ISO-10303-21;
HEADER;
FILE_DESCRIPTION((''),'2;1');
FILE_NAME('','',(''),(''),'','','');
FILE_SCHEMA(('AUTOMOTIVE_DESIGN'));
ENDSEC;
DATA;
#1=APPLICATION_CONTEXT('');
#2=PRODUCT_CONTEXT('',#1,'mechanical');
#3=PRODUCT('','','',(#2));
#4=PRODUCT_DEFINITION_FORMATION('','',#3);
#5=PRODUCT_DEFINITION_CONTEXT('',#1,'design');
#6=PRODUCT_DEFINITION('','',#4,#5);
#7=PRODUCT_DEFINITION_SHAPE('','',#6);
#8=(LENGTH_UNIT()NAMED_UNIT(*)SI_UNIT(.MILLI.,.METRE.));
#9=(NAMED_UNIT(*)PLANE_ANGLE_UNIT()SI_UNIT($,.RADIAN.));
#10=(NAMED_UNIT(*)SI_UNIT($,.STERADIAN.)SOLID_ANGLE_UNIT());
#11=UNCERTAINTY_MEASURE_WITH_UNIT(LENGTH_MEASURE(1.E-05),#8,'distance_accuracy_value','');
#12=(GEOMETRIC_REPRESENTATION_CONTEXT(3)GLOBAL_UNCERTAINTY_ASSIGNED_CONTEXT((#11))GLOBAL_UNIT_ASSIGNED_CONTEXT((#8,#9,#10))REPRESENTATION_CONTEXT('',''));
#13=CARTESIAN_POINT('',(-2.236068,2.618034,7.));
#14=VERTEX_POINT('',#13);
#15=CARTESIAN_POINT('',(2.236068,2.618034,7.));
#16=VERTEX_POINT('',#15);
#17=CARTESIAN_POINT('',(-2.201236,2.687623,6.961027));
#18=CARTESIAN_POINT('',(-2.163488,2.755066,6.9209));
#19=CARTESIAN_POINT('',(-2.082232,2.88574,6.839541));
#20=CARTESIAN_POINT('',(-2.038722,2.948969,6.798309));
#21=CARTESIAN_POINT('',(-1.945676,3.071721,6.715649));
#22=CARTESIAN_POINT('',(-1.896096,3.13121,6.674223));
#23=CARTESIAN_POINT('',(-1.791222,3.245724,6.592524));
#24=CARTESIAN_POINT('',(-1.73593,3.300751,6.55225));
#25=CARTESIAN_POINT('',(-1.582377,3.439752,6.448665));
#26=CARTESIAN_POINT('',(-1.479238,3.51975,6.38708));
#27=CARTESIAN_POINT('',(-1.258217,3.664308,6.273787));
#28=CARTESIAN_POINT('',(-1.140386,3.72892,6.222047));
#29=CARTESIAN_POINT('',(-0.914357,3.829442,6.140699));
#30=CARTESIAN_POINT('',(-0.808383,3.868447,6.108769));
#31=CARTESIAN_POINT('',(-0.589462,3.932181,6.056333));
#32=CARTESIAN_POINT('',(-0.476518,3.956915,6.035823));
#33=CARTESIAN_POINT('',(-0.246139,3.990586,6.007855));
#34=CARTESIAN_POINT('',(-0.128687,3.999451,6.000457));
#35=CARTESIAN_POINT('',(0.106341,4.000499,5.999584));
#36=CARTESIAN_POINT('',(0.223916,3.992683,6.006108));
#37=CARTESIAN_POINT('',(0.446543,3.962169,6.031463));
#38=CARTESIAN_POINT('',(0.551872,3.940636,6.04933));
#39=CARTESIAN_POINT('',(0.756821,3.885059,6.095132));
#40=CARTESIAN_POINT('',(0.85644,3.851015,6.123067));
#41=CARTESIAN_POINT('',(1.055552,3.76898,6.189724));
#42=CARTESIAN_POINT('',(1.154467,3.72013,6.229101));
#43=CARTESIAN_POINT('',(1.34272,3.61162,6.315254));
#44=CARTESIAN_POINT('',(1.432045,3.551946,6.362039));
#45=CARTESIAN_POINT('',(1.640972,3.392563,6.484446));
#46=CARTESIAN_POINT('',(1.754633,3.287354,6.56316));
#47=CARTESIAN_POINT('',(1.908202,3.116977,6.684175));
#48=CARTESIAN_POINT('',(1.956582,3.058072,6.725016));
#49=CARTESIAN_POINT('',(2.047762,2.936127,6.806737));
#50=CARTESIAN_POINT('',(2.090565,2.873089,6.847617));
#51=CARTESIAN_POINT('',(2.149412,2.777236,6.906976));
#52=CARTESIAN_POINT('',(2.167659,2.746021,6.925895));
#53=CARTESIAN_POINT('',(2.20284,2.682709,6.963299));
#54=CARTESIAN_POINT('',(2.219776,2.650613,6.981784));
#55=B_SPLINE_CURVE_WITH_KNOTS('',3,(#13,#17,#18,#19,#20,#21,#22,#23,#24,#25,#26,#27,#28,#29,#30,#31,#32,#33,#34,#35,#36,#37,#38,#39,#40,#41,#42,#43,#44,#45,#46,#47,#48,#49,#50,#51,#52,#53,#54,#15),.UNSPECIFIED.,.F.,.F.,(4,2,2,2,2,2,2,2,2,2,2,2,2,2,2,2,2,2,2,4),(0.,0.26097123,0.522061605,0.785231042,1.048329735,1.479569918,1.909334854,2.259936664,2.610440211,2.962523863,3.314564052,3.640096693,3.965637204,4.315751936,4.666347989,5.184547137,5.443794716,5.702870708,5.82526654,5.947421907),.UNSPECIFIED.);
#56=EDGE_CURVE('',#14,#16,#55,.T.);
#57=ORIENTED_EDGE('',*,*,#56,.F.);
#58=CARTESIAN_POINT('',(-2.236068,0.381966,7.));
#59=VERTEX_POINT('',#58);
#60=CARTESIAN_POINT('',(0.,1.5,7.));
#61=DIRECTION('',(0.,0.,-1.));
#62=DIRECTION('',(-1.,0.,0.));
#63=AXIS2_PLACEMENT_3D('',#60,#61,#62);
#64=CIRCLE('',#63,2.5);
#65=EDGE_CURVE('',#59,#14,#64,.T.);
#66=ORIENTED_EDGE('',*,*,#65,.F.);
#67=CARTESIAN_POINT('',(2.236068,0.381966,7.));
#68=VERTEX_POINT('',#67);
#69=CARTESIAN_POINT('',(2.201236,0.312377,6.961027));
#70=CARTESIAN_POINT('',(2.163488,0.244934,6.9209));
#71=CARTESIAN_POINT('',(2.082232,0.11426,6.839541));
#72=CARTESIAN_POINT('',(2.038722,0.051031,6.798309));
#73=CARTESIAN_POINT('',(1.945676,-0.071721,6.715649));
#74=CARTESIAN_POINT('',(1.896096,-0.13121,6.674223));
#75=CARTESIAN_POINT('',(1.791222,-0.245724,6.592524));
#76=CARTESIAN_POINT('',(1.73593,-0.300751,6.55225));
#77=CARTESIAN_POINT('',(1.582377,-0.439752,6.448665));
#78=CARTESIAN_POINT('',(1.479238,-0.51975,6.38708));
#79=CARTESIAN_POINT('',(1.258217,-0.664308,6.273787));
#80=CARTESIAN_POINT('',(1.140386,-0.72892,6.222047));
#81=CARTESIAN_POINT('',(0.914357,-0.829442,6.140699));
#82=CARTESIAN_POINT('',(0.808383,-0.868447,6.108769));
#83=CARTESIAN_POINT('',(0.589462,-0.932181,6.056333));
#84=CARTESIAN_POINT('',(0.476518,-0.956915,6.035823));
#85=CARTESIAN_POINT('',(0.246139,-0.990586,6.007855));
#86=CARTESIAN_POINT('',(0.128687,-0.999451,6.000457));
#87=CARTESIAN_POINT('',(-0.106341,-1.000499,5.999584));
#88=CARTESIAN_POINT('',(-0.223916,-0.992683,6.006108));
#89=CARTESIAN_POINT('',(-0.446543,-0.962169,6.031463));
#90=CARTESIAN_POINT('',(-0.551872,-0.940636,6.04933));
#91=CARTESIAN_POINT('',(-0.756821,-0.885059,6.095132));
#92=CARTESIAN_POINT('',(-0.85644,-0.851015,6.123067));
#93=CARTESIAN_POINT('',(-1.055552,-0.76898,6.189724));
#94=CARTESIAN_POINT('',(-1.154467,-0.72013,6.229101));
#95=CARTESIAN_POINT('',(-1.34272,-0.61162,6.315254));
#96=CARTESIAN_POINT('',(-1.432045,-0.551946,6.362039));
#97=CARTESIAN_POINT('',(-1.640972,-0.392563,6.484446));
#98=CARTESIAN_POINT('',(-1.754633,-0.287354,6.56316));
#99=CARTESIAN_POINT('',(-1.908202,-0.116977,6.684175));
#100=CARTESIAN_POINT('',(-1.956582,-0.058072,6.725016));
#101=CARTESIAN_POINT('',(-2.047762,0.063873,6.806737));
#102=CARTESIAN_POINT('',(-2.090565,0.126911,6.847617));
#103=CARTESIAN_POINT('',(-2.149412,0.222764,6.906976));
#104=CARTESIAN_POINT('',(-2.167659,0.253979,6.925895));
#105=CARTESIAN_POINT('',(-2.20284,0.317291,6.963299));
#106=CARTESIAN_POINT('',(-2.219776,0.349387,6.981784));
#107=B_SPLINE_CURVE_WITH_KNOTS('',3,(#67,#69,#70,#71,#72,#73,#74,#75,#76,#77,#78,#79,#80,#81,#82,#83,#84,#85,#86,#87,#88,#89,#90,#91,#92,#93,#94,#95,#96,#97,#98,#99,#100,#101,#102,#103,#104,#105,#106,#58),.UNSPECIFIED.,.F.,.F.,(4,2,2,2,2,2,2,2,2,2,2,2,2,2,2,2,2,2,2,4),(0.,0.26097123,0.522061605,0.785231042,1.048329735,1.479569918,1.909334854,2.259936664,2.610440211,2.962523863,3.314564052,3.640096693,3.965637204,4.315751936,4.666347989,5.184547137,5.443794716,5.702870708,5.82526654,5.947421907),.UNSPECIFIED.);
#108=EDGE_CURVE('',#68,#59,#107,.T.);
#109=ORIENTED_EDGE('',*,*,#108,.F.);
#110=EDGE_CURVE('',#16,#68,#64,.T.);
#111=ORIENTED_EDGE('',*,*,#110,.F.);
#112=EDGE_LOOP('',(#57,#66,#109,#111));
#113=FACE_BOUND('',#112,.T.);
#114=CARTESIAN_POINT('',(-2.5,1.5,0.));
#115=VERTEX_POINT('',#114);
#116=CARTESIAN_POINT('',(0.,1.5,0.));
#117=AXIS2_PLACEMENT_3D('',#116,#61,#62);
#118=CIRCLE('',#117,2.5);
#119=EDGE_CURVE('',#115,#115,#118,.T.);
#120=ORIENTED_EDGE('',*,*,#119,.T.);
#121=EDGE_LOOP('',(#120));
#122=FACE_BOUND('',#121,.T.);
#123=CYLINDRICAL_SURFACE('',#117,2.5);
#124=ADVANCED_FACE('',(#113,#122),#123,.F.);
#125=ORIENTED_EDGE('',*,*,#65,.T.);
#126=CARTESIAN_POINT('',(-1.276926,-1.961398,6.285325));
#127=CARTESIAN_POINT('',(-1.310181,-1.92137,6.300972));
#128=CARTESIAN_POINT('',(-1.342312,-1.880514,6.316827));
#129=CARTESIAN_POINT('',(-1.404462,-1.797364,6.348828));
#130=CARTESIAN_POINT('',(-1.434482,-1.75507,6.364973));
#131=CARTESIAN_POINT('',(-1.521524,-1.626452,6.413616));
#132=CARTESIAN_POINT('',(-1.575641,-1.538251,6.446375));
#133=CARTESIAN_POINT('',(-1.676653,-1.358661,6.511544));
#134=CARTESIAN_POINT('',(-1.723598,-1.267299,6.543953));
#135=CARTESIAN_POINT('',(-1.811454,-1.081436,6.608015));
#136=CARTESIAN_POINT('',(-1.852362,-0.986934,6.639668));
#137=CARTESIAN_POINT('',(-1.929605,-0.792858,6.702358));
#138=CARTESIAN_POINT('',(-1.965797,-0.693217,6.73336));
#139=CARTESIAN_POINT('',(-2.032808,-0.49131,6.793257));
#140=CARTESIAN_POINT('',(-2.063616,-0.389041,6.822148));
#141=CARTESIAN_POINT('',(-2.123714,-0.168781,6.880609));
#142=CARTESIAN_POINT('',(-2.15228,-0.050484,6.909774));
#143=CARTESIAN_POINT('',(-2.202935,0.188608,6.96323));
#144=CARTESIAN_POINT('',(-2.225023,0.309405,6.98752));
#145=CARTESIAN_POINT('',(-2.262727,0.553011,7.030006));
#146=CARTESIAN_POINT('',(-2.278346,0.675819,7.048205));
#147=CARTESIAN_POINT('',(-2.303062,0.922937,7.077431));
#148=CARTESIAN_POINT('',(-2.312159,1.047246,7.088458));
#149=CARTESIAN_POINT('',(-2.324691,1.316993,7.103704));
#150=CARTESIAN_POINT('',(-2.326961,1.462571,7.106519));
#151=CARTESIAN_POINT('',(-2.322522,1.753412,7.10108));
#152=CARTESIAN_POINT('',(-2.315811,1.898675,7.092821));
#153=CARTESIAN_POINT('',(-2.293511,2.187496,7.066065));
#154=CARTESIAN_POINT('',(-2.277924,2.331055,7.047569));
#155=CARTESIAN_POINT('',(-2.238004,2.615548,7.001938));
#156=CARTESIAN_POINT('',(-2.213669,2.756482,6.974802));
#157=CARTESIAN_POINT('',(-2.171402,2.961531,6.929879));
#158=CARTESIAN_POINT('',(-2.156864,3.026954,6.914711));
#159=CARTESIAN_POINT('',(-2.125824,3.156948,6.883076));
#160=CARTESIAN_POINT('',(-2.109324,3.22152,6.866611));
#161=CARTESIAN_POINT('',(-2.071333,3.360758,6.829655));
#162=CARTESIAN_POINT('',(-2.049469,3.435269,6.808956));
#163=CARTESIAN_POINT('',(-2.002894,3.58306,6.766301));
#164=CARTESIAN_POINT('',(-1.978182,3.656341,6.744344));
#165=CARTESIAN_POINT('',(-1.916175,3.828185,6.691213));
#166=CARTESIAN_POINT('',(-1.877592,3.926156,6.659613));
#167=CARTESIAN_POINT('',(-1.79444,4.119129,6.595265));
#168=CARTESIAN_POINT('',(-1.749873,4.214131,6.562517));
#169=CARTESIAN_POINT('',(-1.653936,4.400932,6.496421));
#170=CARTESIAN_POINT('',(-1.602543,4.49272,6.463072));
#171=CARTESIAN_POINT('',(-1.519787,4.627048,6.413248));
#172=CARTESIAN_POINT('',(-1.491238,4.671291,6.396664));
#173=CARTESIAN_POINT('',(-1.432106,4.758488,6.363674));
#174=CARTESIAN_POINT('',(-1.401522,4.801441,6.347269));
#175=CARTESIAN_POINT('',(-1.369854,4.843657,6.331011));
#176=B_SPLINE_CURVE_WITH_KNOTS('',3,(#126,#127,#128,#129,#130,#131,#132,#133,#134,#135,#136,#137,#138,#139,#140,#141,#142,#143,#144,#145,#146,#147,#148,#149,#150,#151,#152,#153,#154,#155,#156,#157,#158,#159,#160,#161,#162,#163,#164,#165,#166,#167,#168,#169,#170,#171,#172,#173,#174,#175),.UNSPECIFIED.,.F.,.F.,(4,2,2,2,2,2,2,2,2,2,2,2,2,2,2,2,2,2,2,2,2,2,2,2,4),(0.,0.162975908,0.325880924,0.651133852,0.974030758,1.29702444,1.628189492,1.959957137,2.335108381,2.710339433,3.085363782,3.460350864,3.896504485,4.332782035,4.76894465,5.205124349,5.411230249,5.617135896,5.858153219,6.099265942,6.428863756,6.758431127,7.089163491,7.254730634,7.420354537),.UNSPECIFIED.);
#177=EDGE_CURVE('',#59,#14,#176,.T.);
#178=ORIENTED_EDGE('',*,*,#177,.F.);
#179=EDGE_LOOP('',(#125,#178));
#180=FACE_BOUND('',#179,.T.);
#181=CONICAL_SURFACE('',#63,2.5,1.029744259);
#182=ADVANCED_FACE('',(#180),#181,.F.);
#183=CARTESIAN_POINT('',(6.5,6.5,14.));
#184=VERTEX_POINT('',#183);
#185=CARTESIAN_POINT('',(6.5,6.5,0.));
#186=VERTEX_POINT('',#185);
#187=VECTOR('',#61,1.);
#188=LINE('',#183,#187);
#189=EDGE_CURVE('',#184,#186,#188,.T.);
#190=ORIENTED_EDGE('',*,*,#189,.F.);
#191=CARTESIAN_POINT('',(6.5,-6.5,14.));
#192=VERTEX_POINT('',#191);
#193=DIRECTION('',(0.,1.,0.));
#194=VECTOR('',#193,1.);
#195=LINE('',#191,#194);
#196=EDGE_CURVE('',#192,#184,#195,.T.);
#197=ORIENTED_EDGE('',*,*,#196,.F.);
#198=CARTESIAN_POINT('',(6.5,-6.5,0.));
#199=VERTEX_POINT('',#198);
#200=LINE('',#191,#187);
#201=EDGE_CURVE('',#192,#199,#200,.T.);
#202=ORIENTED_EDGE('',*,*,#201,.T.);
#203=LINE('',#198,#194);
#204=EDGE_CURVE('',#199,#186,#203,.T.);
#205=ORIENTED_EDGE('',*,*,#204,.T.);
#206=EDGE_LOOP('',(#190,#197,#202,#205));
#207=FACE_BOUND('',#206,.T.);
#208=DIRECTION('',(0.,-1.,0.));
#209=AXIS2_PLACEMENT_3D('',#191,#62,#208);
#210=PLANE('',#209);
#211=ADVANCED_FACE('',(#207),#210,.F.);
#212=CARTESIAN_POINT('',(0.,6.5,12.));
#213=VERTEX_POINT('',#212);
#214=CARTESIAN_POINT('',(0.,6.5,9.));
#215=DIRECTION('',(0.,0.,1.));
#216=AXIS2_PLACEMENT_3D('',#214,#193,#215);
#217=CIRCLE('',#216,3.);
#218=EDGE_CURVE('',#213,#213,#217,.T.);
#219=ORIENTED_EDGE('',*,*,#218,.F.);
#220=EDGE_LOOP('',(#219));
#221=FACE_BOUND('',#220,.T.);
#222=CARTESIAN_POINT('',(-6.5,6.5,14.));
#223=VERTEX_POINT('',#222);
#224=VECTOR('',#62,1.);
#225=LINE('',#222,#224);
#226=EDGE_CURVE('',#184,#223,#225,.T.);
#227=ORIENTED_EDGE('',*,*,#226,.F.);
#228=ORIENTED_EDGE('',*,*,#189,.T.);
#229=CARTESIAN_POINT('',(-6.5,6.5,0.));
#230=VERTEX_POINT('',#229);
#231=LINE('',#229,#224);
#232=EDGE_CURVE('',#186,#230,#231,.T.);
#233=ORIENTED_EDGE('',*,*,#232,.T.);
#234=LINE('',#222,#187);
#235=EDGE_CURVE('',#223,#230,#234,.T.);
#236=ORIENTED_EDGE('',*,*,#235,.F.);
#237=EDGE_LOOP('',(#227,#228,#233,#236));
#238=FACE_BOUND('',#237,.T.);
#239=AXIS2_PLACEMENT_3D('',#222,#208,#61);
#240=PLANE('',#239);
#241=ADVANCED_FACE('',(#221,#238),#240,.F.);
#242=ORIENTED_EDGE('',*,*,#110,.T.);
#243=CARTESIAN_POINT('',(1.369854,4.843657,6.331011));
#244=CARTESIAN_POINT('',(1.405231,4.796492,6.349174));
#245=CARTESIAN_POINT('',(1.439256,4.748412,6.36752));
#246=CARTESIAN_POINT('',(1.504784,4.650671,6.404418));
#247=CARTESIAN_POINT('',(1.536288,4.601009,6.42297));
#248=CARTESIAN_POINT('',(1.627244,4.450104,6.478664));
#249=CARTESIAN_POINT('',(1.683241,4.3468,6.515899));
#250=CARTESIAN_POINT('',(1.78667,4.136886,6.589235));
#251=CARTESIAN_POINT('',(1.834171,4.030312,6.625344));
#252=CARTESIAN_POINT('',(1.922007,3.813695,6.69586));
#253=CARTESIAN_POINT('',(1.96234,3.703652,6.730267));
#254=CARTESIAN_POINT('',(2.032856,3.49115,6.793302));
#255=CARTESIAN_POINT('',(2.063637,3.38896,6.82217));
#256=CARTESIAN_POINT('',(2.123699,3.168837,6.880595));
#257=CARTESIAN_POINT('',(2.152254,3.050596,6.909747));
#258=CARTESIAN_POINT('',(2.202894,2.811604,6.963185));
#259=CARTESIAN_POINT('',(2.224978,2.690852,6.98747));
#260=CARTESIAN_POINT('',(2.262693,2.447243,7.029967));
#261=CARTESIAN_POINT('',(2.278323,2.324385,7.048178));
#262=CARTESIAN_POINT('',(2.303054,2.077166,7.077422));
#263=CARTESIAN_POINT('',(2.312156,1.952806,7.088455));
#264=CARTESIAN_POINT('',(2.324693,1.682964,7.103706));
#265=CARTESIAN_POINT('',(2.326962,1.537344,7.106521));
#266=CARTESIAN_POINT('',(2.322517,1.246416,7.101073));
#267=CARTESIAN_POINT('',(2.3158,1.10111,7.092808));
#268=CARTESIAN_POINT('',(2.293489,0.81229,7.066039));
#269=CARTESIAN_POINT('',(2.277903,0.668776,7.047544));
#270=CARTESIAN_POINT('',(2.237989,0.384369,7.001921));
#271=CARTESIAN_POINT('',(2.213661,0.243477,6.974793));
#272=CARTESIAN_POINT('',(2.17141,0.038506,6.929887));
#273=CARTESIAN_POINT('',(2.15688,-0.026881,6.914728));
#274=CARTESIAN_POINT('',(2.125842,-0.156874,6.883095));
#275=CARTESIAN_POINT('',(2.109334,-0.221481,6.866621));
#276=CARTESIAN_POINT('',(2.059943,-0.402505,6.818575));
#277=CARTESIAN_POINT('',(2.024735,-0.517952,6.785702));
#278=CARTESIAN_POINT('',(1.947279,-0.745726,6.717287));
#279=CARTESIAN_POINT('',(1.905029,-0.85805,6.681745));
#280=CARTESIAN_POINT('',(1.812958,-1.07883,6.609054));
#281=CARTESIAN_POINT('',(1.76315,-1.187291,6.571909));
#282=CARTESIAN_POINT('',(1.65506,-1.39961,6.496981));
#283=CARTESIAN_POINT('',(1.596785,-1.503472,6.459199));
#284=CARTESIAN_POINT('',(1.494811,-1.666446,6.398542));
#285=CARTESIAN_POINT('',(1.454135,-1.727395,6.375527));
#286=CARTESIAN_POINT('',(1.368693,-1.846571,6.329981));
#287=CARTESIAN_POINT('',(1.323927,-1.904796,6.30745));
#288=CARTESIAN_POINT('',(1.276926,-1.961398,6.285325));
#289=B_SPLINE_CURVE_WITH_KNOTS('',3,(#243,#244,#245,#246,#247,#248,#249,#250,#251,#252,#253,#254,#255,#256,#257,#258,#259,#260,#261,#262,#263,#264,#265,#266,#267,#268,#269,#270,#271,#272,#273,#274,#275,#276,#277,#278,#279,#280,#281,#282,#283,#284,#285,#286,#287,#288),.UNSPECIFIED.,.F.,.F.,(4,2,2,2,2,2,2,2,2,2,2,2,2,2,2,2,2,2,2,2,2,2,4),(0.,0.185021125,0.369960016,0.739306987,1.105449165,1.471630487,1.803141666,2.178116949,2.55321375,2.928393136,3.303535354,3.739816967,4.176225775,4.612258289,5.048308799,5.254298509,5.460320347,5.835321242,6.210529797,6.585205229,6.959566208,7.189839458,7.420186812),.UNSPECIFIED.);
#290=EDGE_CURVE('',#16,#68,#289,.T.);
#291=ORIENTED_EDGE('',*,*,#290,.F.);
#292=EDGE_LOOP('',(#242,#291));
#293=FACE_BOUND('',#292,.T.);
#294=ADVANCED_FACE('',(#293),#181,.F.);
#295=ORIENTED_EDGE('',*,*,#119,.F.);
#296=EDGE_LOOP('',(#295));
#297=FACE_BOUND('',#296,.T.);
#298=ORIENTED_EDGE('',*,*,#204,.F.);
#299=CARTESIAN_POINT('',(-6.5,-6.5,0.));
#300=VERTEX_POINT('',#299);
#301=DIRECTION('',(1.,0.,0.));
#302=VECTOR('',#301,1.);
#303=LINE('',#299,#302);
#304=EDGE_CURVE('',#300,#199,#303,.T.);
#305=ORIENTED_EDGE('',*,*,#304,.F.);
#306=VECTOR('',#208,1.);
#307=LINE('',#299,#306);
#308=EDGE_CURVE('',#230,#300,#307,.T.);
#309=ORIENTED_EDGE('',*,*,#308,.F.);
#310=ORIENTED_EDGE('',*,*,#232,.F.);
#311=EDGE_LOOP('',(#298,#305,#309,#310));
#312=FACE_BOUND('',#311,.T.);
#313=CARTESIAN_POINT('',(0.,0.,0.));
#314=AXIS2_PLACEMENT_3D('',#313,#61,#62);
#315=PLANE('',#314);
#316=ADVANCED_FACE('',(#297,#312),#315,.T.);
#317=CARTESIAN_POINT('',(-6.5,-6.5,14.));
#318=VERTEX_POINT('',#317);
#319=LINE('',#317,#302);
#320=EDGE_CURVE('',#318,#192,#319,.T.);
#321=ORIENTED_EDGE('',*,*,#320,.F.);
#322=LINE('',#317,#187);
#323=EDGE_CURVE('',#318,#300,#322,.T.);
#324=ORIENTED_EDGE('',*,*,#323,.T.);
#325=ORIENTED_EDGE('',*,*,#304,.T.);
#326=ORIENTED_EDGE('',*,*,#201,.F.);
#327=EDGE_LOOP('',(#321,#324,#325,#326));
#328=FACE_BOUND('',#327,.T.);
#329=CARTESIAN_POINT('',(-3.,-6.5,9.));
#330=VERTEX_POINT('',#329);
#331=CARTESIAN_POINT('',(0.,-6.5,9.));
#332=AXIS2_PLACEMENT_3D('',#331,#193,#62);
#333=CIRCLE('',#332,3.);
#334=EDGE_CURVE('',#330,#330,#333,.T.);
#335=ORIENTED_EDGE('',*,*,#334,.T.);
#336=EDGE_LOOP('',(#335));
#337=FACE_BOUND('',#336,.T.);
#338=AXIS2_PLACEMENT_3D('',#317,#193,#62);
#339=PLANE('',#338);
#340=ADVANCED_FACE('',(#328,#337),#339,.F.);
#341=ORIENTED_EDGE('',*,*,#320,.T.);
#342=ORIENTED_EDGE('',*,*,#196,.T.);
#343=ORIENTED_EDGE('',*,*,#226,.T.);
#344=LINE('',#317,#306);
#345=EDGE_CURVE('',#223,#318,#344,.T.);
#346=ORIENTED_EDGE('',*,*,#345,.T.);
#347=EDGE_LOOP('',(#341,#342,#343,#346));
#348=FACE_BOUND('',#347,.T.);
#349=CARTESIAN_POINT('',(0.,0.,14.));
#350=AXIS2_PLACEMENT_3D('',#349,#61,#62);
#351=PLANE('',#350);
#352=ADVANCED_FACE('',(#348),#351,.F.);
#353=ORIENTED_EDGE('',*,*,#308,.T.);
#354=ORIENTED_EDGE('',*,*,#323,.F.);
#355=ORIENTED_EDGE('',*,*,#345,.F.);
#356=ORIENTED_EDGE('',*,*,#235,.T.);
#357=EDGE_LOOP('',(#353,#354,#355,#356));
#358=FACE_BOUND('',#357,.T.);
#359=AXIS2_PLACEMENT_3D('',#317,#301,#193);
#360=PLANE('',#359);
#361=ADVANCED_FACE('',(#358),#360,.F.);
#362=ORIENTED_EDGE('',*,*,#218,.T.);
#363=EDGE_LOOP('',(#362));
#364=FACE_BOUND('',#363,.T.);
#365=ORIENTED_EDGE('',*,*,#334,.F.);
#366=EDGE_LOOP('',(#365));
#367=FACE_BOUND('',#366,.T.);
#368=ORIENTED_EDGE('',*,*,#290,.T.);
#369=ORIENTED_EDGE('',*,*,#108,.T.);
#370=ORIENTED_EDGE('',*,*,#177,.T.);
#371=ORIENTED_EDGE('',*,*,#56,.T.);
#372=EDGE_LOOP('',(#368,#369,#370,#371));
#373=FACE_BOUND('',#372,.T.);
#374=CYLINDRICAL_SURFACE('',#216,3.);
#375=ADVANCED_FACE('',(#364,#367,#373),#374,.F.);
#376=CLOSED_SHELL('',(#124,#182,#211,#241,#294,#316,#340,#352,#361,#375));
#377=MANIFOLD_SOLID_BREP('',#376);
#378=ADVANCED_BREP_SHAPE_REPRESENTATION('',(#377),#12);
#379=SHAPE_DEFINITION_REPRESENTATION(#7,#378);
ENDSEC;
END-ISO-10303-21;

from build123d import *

# Parameters (mm, degrees)
SKETCH1_W                 = 13
SKETCH1_H                 = 13
BOSS_EXTRUDE1_DEPTH       = 14
F_6_0MM_DOWEL_HOLE1_D     = 6
F_6_0MM_DOWEL_HOLE1_DEPTH = 13
M6X1_0_TAPPED_HOLE6_D     = 5
M6X1_0_TAPPED_HOLE6_DEPTH = 7
M6X1_0_TAPPED_HOLE6_TIP   = 1.502151548


with BuildPart() as part:
    # Sketch1 → Boss-Extrude1 (new body)
    with BuildSketch(Plane.XY):
        Rectangle(SKETCH1_W, SKETCH1_H)
    extrude(amount=BOSS_EXTRUDE1_DEPTH)

    # Ø6.0mm Dowel Hole1
    with Locations(Plane(origin=(0, 6.5, 0), x_dir=(1, 0, 0), z_dir=(0, 1, 0))):
        with Locations((0, -9)):
            Hole(F_6_0MM_DOWEL_HOLE1_D / 2, depth=F_6_0MM_DOWEL_HOLE1_DEPTH)

    # M6x1.0 Tapped Hole6
    with Locations(Plane(origin=(0, 0, 0), x_dir=(-1, 0, 0), z_dir=(0, 0, -1))):
        with Locations((0, 1.5)):
            Hole(M6X1_0_TAPPED_HOLE6_D / 2, depth=M6X1_0_TAPPED_HOLE6_DEPTH)
            with Locations((0, 0, -(M6X1_0_TAPPED_HOLE6_DEPTH + M6X1_0_TAPPED_HOLE6_TIP / 2))):  # 118° drill point
                Cone(0, M6X1_0_TAPPED_HOLE6_D / 2, M6X1_0_TAPPED_HOLE6_TIP, mode=Mode.SUBTRACT)


solid = part.part
